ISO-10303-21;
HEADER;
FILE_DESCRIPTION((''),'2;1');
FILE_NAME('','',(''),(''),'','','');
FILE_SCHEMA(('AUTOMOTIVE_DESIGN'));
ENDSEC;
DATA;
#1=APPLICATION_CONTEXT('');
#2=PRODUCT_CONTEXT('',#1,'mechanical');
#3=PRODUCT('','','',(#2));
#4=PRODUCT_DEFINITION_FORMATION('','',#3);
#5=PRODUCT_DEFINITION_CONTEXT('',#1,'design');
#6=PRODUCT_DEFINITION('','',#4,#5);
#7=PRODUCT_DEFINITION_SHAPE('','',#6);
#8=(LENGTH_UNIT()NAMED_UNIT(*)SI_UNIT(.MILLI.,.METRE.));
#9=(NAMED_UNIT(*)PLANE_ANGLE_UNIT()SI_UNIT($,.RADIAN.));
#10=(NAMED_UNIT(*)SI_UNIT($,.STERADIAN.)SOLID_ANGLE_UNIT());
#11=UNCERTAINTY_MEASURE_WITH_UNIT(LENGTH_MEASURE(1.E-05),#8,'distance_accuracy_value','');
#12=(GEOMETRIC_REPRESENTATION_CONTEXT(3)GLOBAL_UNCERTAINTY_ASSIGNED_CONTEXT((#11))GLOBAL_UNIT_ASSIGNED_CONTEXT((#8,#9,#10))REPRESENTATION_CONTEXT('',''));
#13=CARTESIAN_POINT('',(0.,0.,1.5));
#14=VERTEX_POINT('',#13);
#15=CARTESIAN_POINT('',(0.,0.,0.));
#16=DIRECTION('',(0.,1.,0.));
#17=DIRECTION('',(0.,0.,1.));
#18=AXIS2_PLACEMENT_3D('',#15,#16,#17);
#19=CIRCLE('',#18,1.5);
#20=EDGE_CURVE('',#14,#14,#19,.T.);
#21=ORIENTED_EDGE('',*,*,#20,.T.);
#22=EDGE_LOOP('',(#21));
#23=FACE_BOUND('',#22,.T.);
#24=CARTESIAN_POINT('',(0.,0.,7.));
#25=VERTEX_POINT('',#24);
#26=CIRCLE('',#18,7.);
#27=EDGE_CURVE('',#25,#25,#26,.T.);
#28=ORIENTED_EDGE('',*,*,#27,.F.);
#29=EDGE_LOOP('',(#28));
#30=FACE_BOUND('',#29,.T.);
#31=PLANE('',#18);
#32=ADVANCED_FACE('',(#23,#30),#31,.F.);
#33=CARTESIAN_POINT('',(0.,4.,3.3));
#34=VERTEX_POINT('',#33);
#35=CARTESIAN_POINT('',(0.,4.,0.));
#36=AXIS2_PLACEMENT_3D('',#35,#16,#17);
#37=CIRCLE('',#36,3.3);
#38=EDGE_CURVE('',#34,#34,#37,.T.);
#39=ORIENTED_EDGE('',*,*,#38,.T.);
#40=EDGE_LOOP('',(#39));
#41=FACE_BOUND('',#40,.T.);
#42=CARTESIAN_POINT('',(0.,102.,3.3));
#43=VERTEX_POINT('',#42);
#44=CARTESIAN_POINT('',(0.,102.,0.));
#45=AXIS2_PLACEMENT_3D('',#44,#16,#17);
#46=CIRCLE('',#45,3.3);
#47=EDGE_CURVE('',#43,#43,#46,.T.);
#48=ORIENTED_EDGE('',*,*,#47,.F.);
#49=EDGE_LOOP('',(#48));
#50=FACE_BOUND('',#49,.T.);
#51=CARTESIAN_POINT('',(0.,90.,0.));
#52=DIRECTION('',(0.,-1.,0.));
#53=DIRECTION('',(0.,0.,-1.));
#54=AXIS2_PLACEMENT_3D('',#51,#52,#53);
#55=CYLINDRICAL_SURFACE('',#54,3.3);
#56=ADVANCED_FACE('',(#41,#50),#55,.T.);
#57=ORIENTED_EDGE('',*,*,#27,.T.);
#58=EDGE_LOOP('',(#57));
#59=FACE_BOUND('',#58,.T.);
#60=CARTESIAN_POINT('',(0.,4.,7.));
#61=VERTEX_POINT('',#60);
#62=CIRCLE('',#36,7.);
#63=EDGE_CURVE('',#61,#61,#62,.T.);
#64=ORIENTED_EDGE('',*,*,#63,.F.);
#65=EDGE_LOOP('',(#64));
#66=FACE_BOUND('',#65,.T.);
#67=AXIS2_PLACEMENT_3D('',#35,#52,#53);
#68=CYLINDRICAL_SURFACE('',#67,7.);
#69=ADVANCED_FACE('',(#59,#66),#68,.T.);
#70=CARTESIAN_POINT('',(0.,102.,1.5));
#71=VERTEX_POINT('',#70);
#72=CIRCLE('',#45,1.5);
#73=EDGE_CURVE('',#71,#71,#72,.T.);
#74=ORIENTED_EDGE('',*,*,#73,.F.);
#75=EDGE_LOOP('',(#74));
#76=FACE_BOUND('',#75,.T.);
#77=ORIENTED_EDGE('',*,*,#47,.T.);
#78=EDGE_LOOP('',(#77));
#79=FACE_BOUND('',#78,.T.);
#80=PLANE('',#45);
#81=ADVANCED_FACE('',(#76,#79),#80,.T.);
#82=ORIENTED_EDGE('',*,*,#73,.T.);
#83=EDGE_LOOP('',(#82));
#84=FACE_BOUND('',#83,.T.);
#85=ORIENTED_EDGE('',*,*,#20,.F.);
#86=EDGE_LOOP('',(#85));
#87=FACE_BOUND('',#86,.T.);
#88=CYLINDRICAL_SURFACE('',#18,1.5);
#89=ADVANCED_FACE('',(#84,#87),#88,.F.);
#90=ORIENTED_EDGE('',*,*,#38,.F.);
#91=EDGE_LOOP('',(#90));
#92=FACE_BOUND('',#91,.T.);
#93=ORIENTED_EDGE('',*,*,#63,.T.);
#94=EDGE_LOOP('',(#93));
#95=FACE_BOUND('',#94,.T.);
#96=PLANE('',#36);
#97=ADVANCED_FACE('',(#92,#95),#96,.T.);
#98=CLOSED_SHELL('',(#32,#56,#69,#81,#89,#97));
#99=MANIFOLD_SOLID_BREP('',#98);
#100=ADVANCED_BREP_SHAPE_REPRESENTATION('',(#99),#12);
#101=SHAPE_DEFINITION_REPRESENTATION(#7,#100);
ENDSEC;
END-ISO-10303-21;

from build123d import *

# Parameters (mm, degrees)
SKETCH1_R           = 7
BOSS_EXTRUDE1_DEPTH = 4
SKETCH2_R           = 3.3
BOSS_EXTRUDE2_DEPTH = 86
SKETCH3_R           = 3.3
BOSS_EXTRUDE3_DEPTH = 12
SKETCH4_R           = 1.5
CUT_EXTRUDE2_DEPTH  = 103.479266196


with BuildPart() as part:
    # Sketch1 → Boss-Extrude1 (new body)
    with BuildSketch(Plane(origin=(0, 0, 0), x_dir=(1, 0, 0), z_dir=(0, 1, 0))):
        with Locations(Location((0, 0, 0), (0, 0, 270))):
            Circle(SKETCH1_R)
    extrude(amount=BOSS_EXTRUDE1_DEPTH)

    # Sketch2 → Boss-Extrude2 (add)
    with BuildSketch(Plane(origin=(0, 4, 0), x_dir=(1, 0, 0), z_dir=(0, 1, 0))):
        with Locations(Location((0, 0, 0), (0, 0, 270))):
            Circle(SKETCH2_R)
    extrude(amount=BOSS_EXTRUDE2_DEPTH)

    # Sketch3 → Boss-Extrude3 (add)
    with BuildSketch(Plane(origin=(0, 90, 0), x_dir=(1, 0, 0), z_dir=(0, 1, 0))):
        with Locations(Location((0, 0, 0), (0, 0, 270))):
            Circle(SKETCH3_R)
    extrude(amount=BOSS_EXTRUDE3_DEPTH)

    # Sketch4 → Cut-Extrude2 (cut, through all)
    with BuildSketch(Plane(origin=(0, 102, 0), x_dir=(1, 0, 0), z_dir=(0, 1, 0))):
        with Locations(Location((0, 0, 0), (0, 0, 270))):
            Circle(SKETCH4_R)
    extrude(amount=-CUT_EXTRUDE2_DEPTH, mode=Mode.SUBTRACT)


solid = part.part
